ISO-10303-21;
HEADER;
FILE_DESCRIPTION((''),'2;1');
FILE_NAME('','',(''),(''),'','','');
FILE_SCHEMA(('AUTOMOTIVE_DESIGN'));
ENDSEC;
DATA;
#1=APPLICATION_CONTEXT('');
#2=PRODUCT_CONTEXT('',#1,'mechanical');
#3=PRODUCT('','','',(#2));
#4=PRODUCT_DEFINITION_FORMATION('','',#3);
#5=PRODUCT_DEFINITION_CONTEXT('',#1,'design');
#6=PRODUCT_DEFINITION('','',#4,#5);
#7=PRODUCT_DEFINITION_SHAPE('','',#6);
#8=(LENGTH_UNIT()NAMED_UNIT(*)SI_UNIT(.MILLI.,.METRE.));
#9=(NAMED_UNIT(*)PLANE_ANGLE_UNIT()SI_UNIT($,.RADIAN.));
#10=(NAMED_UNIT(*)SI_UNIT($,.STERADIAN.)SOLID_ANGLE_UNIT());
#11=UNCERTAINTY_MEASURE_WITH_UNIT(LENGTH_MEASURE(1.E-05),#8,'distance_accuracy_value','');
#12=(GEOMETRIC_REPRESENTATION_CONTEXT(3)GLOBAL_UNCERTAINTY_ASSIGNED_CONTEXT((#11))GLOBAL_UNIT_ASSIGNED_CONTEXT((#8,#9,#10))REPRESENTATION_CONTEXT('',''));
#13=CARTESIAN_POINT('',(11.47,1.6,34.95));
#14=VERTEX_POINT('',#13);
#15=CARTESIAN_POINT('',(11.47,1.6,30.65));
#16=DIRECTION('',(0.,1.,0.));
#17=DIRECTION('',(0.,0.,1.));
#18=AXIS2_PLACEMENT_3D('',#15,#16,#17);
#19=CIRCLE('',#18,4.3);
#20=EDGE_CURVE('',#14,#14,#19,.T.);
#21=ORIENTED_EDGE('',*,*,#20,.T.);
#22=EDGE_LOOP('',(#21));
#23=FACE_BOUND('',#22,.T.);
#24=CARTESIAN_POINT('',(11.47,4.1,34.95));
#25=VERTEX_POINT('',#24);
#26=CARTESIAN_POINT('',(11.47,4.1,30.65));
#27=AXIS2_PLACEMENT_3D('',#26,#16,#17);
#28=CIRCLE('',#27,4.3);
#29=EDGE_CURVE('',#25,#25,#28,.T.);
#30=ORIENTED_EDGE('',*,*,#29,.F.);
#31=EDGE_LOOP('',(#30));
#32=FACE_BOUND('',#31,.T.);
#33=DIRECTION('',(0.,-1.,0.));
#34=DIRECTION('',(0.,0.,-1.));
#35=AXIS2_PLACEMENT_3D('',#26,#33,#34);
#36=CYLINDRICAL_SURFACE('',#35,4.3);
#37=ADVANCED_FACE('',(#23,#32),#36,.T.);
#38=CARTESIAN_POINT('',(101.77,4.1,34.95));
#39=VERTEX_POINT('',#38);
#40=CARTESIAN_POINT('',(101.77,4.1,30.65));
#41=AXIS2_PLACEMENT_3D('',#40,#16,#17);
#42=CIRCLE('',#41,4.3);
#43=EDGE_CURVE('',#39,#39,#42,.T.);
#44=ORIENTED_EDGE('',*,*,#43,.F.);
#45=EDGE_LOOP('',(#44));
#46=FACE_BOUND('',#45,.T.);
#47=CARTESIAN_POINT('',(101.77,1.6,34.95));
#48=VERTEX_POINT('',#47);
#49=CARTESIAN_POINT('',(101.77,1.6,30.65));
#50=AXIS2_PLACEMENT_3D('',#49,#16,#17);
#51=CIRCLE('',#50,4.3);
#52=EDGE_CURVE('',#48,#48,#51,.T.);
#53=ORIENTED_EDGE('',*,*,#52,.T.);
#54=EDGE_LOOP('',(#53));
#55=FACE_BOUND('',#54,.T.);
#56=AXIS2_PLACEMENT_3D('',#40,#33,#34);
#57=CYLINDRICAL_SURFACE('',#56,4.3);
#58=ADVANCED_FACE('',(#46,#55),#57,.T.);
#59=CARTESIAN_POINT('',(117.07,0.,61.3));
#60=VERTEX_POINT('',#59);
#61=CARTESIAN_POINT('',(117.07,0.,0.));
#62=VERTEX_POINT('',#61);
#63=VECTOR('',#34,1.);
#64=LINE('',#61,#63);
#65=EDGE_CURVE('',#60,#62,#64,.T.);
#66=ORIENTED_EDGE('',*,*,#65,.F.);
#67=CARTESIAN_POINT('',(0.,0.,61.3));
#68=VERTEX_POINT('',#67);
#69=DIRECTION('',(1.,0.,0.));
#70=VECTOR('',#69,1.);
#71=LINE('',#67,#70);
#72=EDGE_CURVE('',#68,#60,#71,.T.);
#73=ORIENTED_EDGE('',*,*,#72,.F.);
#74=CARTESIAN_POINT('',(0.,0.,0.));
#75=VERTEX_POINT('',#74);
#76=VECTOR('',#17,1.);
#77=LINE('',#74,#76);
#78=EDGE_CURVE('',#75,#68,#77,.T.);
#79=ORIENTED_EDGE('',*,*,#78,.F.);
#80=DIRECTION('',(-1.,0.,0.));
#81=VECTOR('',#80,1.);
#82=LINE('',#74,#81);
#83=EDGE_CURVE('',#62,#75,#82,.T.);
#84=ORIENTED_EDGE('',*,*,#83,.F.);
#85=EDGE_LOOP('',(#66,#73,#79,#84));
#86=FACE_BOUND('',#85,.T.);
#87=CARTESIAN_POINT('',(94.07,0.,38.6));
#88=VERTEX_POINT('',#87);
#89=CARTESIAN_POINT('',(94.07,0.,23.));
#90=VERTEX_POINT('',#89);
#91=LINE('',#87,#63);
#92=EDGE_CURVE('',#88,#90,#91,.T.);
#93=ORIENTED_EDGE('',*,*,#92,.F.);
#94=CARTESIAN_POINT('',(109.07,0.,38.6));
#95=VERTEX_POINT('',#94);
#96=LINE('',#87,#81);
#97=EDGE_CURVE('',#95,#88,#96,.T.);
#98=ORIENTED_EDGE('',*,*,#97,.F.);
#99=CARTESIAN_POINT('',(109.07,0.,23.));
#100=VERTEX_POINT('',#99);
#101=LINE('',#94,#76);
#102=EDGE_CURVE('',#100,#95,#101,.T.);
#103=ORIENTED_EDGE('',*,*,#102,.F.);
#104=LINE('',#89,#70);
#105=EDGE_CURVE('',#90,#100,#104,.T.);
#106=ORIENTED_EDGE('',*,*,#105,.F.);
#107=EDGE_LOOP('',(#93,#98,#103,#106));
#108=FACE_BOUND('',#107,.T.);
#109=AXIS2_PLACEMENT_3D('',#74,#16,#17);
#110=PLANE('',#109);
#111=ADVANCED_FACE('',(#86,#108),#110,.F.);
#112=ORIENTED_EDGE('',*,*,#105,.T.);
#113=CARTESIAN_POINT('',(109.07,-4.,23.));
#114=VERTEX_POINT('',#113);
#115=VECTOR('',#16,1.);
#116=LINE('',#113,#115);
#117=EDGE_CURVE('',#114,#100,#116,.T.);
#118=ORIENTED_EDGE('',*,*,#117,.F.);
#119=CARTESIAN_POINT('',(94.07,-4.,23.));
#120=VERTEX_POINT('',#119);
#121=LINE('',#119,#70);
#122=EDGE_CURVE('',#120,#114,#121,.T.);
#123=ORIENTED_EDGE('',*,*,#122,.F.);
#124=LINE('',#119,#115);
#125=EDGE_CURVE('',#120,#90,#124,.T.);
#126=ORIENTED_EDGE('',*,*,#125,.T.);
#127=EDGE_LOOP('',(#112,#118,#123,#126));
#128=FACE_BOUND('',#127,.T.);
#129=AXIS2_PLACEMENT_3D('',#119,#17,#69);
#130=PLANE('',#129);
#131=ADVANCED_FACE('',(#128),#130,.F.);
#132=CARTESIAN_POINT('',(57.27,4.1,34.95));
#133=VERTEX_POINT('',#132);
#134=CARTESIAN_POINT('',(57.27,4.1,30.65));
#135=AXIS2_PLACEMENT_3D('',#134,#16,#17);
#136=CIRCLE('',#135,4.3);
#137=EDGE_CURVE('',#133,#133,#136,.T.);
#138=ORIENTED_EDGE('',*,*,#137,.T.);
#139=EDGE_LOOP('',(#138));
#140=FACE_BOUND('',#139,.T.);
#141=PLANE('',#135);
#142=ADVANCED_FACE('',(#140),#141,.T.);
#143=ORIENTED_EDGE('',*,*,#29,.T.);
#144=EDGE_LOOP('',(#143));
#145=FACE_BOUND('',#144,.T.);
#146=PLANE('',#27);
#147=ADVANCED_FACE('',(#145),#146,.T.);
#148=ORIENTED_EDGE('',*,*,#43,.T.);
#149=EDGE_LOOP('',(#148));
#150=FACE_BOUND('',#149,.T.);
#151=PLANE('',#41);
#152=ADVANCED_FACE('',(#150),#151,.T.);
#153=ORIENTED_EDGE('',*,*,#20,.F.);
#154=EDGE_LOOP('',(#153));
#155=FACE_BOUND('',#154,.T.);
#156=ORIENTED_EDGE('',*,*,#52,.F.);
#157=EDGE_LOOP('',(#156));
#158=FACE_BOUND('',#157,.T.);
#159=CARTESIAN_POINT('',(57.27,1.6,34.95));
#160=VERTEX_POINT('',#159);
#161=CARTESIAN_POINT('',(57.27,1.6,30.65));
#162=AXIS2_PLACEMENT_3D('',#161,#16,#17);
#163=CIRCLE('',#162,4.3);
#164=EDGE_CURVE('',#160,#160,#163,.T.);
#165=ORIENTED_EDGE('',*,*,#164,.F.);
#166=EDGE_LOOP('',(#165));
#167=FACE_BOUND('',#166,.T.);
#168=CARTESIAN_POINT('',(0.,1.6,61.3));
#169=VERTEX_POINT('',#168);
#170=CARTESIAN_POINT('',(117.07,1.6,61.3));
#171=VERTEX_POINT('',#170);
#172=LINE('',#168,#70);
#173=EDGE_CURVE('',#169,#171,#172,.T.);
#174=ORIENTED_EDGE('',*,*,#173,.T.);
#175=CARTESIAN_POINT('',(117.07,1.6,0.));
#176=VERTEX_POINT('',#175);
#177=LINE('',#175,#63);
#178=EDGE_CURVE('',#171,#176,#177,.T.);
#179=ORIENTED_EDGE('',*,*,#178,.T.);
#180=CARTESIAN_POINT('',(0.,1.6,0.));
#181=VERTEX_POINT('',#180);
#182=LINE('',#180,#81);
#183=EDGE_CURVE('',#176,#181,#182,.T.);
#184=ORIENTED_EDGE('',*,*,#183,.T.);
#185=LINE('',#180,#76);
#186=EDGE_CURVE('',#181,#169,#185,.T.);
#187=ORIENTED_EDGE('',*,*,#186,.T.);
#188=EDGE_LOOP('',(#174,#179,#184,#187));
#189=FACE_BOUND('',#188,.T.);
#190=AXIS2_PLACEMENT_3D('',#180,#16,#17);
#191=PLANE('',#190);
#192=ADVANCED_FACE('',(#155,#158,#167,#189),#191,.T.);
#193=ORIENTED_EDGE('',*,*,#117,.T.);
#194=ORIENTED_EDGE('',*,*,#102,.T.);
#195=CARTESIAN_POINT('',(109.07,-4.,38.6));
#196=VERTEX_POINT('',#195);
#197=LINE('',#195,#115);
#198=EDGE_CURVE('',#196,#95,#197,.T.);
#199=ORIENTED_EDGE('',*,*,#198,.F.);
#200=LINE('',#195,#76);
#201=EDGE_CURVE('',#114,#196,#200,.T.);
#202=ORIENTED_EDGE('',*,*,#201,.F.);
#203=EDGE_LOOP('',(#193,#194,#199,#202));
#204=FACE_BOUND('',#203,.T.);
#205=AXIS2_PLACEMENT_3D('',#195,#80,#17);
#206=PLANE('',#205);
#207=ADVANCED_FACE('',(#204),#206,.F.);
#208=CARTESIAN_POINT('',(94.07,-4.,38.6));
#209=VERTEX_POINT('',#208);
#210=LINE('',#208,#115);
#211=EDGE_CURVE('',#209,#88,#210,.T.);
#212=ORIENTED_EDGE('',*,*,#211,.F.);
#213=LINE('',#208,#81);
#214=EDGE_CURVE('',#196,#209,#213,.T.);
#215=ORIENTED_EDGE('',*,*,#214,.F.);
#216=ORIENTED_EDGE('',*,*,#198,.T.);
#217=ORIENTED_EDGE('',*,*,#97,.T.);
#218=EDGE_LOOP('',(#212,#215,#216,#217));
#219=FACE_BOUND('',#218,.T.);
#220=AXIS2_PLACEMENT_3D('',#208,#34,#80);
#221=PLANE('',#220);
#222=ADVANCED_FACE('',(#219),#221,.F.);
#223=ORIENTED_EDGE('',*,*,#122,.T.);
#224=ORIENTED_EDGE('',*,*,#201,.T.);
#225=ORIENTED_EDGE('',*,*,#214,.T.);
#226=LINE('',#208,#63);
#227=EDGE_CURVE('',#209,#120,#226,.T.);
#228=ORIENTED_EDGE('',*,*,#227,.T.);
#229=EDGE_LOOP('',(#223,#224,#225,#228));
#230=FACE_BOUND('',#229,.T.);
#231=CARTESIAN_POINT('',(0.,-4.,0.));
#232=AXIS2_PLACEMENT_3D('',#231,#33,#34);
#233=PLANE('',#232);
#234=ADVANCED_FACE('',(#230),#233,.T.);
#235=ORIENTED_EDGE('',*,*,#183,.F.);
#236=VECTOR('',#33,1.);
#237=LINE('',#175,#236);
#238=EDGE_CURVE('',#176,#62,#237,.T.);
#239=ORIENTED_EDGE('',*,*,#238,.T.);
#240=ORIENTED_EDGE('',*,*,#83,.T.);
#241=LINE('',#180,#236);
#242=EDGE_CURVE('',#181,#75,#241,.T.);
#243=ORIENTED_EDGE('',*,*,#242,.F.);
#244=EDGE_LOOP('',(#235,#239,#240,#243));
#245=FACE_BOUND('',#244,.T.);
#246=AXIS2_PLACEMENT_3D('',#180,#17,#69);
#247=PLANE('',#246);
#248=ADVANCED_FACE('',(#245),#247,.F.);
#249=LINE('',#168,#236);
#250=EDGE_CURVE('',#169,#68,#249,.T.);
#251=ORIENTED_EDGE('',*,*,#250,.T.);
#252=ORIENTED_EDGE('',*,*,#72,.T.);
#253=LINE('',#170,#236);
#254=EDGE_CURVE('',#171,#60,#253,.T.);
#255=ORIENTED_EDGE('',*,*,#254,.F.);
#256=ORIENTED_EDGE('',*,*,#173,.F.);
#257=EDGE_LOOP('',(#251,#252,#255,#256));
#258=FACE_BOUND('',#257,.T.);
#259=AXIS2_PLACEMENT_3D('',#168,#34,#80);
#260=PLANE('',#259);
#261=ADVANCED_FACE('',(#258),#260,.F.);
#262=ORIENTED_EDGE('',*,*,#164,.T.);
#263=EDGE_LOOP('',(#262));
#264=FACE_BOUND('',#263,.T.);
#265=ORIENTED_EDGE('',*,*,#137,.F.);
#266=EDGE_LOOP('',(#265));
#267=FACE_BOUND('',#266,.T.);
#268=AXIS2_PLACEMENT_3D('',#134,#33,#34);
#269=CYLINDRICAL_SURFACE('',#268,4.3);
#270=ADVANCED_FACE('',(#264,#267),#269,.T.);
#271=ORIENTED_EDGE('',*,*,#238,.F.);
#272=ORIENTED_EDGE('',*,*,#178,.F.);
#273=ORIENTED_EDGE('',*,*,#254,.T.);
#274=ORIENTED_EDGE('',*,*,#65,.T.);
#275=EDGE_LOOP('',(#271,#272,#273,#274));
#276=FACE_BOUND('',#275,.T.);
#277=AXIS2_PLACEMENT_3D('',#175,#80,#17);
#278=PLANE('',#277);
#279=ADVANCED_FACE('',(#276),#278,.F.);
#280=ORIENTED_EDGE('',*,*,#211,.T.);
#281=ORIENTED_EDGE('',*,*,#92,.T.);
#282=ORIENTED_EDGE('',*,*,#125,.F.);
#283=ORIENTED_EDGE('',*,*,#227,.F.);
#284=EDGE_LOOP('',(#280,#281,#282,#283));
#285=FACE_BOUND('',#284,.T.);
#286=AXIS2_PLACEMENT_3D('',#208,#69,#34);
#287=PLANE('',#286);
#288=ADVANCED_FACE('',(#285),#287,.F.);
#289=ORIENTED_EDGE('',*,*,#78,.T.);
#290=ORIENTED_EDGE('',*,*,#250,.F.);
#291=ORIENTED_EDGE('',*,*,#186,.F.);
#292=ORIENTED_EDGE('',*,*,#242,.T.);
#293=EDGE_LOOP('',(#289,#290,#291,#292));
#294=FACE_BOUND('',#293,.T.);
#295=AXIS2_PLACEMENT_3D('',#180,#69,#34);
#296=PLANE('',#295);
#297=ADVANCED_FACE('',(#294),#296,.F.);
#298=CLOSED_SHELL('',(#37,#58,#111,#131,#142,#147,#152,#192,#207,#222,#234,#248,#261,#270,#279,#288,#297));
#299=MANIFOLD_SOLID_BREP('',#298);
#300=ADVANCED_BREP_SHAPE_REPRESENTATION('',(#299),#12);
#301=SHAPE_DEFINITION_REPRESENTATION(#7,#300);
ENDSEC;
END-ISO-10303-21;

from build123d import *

# Parameters (mm, degrees)
ESQUISSE1_W        = 117.07
ESQUISSE1_H        = 61.3
BOSS_EXTRU_1_DEPTH = 1.6
ESQUISSE2_W        = 15
ESQUISSE2_H        = 15.6
BOSS_EXTRU_2_DEPTH = 4
ESQUISSE3_R        = 4.3
BOSS_EXTRU_3_DEPTH = 2.5


with BuildPart() as part:
    # Esquisse1 → Boss.-Extru.1 (new body)
    with BuildSketch(Plane(origin=(0, 0, 0), x_dir=(1, 0, 0), z_dir=(0, 1, 0))):
        with Locations((58.535, -30.65)):
            Rectangle(ESQUISSE1_W, ESQUISSE1_H)
    extrude(amount=BOSS_EXTRU_1_DEPTH)

    # Esquisse2 → Boss.-Extru.2 (add)
    with BuildSketch(Plane.XZ):
        with Locations((101.57, 30.8)):
            Rectangle(ESQUISSE2_W, ESQUISSE2_H)
    extrude(amount=BOSS_EXTRU_2_DEPTH)

    # Esquisse3 → Boss.-Extru.3 (add)
    with BuildSketch(Plane(origin=(0, 1.6, 0), x_dir=(1, 0, 0), z_dir=(0, 1, 0))):
        with Locations(Location((101.77, -30.65, 0), (0, 0, 270))):
            Circle(ESQUISSE3_R)
        with Locations(Location((57.27, -30.65, 0), (0, 0, 270))):
            Circle(ESQUISSE3_R)
        with Locations(Location((11.47, -30.65, 0), (0, 0, 270))):
            Circle(ESQUISSE3_R)
    extrude(amount=BOSS_EXTRU_3_DEPTH)


solid = part.part
